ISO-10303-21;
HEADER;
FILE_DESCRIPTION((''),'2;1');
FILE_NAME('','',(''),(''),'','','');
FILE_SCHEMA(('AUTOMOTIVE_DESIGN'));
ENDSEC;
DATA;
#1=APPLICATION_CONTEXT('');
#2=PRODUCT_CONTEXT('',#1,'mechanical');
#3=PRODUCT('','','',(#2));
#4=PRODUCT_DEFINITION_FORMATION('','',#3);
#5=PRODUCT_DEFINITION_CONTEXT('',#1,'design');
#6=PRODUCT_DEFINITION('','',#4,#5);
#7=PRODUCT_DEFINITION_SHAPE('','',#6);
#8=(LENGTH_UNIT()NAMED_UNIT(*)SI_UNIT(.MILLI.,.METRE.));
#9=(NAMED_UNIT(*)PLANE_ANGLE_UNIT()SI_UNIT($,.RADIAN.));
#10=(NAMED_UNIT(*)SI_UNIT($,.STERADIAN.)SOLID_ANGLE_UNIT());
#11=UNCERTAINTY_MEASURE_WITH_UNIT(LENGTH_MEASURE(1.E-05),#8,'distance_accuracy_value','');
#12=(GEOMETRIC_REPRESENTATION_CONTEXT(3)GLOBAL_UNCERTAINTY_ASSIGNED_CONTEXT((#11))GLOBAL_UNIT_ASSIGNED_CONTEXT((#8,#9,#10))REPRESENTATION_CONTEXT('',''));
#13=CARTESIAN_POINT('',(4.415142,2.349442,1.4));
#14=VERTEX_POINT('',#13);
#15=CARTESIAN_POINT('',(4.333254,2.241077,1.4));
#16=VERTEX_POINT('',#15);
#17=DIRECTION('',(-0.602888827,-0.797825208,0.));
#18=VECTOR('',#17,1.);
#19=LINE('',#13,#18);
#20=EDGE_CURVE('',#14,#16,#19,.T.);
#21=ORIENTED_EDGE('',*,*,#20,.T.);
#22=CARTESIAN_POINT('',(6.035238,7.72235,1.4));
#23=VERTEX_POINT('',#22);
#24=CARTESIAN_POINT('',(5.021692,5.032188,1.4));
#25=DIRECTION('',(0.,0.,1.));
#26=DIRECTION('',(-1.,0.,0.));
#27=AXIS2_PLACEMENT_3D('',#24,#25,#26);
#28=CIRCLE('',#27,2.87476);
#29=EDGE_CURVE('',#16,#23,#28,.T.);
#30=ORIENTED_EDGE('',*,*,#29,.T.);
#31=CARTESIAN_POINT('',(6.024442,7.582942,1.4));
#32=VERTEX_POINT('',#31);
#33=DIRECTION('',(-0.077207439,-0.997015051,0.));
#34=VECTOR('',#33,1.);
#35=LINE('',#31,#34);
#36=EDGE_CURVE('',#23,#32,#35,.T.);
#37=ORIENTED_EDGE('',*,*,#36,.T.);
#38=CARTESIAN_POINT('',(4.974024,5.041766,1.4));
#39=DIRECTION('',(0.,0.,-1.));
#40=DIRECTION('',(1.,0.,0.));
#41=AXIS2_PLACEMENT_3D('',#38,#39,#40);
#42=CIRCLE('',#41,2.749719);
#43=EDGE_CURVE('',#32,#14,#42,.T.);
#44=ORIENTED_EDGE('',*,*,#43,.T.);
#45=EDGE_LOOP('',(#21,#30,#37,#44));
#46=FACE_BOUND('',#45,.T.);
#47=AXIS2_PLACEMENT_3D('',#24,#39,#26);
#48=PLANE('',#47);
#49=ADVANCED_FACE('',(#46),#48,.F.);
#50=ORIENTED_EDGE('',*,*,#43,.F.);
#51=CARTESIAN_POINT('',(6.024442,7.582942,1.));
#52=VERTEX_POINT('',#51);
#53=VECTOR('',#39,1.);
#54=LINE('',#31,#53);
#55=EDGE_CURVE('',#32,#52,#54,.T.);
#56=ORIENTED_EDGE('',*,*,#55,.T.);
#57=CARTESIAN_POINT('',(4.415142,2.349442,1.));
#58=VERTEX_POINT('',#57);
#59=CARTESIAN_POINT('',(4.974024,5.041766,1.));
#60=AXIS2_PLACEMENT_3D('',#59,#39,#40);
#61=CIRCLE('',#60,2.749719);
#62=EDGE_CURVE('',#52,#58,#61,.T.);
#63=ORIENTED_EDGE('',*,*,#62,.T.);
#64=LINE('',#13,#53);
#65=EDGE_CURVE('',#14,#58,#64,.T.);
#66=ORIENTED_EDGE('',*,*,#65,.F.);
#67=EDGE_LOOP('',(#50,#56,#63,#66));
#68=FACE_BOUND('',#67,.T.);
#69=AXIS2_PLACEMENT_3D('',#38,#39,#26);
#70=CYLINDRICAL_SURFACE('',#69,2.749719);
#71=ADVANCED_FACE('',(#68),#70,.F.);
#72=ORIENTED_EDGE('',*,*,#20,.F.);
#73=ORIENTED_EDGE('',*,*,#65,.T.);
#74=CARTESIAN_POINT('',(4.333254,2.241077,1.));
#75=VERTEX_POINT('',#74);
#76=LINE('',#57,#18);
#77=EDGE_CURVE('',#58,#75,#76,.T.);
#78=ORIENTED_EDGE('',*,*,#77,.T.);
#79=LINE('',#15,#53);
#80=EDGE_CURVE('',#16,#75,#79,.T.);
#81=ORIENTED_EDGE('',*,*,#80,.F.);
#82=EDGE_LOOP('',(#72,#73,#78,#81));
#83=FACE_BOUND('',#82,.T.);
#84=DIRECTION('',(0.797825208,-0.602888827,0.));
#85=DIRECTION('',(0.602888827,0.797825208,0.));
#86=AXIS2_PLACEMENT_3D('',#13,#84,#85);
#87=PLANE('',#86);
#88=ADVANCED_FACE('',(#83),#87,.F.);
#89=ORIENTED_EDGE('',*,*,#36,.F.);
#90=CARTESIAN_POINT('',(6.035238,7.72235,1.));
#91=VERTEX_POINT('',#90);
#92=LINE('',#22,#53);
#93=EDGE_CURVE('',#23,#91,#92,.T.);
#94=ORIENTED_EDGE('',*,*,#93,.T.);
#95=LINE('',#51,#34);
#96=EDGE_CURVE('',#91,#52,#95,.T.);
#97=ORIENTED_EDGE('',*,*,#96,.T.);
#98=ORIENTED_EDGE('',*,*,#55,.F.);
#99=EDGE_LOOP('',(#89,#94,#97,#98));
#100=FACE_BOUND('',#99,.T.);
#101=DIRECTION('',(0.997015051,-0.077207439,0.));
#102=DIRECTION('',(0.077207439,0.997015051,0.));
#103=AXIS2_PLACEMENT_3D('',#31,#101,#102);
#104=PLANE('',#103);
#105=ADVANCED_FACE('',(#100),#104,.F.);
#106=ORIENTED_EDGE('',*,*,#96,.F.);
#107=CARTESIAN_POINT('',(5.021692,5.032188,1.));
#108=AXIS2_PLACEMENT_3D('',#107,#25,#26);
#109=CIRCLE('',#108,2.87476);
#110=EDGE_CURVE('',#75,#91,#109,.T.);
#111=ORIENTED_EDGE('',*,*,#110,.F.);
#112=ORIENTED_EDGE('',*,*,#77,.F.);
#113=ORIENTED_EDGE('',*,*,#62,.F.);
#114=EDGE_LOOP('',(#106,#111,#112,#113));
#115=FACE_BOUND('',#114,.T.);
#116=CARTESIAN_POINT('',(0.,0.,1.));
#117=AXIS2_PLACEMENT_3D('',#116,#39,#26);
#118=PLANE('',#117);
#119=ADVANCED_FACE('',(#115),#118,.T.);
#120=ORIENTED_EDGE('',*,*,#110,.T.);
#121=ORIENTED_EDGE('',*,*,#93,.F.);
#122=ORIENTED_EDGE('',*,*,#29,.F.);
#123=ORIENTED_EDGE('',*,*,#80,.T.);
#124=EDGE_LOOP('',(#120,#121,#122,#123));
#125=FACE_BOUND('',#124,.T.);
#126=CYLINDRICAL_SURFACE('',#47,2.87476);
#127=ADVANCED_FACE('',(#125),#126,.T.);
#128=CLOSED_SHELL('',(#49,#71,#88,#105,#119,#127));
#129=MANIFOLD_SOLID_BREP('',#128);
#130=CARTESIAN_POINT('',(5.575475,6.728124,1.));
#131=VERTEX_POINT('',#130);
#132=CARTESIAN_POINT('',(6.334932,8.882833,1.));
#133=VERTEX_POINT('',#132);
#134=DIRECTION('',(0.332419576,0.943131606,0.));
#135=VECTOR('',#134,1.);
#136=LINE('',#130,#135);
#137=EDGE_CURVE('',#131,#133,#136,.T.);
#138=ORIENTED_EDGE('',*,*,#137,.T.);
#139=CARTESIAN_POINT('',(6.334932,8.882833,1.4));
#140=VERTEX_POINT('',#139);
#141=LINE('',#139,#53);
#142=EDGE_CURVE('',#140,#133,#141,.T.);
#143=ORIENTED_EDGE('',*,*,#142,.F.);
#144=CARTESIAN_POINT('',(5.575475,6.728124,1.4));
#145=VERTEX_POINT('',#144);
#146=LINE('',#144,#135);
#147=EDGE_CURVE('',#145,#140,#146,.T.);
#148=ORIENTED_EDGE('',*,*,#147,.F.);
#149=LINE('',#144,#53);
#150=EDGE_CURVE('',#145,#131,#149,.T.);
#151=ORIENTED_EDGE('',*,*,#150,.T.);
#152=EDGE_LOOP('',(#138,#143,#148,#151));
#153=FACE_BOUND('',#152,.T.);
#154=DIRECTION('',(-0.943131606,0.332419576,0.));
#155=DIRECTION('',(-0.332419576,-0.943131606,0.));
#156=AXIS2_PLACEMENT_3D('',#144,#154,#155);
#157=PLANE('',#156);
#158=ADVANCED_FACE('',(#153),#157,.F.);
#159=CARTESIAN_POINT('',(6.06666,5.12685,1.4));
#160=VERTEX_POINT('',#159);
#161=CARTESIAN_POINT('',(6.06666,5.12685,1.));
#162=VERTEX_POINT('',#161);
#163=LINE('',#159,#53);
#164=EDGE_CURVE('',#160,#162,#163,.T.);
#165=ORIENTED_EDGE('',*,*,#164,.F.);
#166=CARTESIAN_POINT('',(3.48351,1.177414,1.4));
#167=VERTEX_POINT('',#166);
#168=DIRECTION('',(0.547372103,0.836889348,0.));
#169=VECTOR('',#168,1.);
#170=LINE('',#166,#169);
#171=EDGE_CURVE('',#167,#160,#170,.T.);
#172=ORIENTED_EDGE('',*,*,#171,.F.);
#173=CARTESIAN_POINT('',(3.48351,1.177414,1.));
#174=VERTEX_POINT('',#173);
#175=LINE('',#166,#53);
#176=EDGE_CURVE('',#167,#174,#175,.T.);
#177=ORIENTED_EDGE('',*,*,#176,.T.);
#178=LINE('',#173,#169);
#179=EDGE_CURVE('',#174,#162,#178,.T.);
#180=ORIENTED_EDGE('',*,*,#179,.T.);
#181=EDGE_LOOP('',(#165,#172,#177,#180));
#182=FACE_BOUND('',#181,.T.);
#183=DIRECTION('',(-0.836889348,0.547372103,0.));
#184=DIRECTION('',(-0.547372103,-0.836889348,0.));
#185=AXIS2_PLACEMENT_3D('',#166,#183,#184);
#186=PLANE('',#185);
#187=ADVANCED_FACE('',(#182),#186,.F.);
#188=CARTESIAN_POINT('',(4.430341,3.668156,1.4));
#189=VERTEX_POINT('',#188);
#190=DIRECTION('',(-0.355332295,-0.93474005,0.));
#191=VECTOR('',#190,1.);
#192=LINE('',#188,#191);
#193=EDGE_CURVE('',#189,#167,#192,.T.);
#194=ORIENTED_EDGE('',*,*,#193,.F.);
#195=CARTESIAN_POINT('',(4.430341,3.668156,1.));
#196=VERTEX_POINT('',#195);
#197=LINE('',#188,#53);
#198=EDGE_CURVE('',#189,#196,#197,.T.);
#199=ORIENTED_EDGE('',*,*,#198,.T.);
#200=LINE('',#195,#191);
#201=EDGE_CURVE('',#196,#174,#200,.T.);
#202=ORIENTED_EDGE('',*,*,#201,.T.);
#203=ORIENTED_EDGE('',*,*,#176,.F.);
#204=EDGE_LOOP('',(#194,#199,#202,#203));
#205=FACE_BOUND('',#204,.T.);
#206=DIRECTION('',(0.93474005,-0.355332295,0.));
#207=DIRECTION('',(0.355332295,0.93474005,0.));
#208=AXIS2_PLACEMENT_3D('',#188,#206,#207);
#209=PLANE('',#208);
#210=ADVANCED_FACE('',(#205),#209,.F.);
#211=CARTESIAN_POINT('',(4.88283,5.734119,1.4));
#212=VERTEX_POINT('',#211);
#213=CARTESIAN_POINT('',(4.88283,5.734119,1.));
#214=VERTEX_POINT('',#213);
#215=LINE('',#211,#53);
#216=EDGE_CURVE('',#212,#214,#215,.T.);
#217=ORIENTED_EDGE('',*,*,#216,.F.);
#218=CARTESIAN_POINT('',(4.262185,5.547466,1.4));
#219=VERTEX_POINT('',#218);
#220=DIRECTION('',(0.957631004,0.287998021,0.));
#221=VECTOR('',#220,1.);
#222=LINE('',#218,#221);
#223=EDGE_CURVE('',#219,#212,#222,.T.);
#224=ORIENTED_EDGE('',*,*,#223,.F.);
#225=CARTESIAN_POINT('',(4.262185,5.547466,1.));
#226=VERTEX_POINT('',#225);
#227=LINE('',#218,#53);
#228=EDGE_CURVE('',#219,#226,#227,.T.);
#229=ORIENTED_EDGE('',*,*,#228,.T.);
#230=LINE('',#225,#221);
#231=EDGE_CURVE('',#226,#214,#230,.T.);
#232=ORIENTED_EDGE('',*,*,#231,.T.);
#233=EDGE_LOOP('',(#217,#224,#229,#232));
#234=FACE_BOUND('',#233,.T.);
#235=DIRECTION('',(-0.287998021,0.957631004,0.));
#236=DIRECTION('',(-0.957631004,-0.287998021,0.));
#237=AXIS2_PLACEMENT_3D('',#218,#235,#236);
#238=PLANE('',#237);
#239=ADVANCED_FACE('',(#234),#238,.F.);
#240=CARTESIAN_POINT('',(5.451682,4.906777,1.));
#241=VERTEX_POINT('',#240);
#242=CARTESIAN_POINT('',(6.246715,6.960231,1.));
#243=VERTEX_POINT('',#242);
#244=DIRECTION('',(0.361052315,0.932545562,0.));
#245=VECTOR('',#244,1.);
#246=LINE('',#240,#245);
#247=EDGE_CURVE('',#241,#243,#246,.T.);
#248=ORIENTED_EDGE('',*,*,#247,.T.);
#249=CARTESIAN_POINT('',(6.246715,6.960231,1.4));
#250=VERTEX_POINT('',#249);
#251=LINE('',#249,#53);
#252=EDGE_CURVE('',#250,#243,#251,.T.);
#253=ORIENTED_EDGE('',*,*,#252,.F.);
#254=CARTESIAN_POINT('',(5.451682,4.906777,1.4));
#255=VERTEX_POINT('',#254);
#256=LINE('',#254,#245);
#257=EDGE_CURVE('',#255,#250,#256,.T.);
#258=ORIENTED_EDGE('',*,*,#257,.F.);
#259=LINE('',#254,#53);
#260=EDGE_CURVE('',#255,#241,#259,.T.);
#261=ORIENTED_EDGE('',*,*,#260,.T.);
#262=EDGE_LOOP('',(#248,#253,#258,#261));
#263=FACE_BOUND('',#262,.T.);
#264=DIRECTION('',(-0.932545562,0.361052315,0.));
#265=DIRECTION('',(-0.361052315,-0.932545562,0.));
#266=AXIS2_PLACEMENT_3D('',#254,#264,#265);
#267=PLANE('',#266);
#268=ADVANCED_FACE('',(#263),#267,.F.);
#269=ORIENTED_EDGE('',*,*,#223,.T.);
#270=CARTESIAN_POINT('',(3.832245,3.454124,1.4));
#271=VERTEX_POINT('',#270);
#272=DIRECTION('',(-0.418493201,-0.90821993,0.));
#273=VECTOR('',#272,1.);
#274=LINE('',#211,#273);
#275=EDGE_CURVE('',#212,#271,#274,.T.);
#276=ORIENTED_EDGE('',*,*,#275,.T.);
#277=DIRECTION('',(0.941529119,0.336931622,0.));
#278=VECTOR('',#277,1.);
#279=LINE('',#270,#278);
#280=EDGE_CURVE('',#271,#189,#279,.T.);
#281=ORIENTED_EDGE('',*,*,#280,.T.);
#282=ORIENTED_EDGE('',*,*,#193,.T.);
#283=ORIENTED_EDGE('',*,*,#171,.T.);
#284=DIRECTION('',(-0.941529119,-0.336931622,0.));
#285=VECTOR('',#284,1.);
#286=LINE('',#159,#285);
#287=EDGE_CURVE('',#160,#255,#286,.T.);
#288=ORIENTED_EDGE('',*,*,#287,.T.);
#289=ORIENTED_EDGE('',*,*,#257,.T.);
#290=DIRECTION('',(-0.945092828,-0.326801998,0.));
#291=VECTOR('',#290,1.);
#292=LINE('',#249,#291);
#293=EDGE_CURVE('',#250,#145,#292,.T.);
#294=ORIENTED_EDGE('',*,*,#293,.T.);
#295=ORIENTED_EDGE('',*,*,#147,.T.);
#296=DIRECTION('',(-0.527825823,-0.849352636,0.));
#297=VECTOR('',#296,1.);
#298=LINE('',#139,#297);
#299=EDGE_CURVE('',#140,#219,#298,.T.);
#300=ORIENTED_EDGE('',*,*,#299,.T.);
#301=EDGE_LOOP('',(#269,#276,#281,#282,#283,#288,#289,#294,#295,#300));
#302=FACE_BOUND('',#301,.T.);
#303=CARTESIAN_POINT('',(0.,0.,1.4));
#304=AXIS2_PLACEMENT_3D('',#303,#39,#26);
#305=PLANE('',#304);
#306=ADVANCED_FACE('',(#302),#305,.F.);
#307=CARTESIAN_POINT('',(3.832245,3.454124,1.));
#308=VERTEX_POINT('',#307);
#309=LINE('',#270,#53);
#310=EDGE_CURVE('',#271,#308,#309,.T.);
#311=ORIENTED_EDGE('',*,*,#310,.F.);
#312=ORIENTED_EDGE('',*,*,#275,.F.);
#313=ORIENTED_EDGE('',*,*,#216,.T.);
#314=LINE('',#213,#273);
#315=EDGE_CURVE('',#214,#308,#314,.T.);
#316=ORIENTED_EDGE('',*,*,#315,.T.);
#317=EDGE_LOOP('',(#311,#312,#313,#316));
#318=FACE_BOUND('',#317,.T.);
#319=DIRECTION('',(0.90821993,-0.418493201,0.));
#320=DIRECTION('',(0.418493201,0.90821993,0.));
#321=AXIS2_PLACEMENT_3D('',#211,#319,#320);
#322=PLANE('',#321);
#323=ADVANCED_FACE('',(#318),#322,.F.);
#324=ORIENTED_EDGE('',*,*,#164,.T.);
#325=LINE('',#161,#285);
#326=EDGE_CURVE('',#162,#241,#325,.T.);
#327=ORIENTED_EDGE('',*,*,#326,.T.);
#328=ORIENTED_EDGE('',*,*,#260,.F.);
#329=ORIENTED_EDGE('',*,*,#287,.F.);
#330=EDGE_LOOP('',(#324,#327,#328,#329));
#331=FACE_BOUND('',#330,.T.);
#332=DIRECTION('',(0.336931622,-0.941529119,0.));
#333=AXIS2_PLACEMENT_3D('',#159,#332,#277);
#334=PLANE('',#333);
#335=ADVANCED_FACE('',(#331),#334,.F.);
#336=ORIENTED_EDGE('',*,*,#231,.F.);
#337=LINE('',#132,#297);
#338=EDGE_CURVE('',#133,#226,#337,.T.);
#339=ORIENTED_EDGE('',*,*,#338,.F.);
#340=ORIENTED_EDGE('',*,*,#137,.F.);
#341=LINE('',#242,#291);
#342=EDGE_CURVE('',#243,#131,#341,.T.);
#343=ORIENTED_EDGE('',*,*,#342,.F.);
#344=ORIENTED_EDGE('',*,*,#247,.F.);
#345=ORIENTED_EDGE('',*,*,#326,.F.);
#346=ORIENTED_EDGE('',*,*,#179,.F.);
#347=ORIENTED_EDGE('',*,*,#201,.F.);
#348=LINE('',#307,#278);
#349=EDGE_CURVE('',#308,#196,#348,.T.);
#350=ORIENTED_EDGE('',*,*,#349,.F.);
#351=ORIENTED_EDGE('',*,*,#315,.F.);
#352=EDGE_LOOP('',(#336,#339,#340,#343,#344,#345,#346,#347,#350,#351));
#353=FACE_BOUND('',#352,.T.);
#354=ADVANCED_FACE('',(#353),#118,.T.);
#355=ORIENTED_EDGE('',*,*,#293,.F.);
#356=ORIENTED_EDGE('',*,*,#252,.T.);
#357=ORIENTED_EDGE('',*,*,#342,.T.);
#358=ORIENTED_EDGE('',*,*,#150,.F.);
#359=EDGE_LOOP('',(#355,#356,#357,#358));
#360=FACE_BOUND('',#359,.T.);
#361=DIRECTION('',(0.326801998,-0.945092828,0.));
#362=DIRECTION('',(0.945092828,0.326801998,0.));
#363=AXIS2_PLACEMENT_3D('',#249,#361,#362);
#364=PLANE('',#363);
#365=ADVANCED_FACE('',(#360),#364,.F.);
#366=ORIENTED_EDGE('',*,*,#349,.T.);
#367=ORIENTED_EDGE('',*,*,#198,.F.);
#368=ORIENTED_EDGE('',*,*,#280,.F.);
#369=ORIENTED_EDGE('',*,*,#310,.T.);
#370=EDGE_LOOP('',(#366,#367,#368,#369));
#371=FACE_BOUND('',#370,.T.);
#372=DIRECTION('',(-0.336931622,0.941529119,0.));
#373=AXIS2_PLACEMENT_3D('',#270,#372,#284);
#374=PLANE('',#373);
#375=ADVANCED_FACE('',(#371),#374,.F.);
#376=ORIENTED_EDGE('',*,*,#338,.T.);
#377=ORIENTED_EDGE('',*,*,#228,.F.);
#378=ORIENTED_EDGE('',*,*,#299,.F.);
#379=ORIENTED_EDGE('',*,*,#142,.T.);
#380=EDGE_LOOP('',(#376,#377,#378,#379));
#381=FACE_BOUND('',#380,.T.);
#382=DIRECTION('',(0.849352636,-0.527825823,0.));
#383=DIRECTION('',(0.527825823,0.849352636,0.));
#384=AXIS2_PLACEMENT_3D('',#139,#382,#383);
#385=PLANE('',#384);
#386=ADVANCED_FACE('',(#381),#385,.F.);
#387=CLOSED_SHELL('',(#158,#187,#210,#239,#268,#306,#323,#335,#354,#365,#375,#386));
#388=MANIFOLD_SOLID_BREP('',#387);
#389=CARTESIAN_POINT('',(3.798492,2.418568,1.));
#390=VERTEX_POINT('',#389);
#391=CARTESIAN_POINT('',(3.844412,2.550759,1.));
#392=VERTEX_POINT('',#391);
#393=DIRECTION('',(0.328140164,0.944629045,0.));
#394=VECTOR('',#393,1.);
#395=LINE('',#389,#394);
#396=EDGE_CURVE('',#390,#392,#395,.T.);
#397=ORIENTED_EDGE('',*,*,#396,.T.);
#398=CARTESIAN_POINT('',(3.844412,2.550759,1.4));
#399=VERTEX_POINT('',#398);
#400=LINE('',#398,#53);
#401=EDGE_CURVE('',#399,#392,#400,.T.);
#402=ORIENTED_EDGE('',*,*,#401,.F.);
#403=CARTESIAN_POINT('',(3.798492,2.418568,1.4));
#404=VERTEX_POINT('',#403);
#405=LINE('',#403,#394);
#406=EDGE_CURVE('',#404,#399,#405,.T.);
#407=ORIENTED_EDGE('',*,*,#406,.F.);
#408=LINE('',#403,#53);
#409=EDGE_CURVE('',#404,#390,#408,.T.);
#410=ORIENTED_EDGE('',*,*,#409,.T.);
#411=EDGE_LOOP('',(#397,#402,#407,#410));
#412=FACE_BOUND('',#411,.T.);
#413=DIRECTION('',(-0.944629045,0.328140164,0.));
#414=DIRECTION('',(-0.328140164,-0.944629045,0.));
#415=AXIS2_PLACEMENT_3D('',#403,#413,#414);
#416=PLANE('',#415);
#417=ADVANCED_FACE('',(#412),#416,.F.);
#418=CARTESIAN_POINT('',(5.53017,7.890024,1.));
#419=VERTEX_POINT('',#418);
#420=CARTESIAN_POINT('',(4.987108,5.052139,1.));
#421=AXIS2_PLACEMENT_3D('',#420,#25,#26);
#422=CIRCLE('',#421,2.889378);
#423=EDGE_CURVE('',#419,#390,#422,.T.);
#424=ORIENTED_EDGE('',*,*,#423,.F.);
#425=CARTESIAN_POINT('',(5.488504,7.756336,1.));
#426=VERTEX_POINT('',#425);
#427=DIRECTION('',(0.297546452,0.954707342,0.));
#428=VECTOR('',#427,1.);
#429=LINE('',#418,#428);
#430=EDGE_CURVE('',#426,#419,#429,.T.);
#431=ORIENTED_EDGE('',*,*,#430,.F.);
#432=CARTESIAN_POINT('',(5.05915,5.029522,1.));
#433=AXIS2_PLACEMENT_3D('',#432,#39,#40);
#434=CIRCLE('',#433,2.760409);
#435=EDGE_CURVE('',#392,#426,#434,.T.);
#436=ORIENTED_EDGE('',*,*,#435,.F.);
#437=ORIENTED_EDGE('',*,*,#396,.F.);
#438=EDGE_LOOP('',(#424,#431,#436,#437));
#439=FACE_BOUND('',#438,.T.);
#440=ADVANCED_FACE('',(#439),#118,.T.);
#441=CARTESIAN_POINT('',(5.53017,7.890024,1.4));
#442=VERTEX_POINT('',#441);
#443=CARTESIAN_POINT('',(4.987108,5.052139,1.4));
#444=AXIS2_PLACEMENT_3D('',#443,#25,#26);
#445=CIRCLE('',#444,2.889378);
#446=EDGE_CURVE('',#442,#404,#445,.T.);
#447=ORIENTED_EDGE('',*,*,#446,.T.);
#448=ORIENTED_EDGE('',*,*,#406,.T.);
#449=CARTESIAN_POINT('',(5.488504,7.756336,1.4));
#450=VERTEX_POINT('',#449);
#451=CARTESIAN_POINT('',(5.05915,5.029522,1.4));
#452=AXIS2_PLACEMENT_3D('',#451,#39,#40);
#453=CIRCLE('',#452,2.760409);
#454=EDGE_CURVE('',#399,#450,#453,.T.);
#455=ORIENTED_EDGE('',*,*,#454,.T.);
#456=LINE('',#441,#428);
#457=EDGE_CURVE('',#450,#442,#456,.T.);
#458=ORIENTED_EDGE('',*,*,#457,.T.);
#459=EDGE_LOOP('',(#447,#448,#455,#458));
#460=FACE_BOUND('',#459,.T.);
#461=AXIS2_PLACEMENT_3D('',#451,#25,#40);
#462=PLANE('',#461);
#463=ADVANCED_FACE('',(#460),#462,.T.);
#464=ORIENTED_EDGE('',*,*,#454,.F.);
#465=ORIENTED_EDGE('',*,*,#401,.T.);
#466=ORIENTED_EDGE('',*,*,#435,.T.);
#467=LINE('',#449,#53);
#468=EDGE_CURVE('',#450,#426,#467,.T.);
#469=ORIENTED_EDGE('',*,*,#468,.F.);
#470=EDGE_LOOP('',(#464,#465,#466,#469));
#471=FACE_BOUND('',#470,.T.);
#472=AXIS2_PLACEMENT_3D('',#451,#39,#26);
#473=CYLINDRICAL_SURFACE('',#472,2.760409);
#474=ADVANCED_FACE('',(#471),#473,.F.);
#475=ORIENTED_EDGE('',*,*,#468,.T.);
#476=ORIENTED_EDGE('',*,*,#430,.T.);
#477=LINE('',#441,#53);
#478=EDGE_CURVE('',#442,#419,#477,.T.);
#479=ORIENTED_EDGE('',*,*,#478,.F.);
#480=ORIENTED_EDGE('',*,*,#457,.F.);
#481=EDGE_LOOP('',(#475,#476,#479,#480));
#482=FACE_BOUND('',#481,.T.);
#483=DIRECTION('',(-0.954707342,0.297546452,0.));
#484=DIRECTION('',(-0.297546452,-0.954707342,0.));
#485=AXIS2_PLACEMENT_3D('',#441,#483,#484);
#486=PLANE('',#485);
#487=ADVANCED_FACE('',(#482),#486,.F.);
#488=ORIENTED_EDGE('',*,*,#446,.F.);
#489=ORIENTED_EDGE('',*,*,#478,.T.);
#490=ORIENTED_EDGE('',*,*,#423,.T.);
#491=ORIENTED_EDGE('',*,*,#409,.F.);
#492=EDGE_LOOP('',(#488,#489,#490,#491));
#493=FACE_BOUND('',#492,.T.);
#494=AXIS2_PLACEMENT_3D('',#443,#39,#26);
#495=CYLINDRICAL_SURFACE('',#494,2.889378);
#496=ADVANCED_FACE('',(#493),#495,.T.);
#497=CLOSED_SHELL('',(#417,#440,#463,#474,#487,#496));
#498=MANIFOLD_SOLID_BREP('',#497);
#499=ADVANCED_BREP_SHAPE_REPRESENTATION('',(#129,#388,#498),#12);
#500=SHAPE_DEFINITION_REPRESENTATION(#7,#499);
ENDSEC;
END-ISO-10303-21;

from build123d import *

# Parameters (mm, degrees)
ESQUISSE1_W             = 10
ESQUISSE1_H             = 10
BOSS_EXTRU_1_DEPTH      = 1
BOSS_EXTRU_2_DEPTH      = 0.4
ESQUISSE3_W             = 12.280375392
ESQUISSE3_H             = 11.683913343
ENL_V_MAT_EXTRU_1_DEPTH = 1


with BuildPart() as part:
    # Esquisse1 → Boss.-Extru.1 (new body)
    with BuildSketch(Plane.XY):
        with Locations((5, 5)):
            Rectangle(ESQUISSE1_W, ESQUISSE1_H)
    extrude(amount=BOSS_EXTRU_1_DEPTH)

    # Esquisse2 → Boss.-Extru.2 (add)
    with BuildSketch(Plane.XY.offset(1)):
        Polygon((6.334931749, 8.882833414), (4.262184586, 5.547465589), (4.882830202, 5.734118598), (3.832245005, 3.454123577), (4.430340597, 3.668155532), (3.483509575, 1.17741408), (6.066659864, 5.126849848), (5.451682271, 4.906776572), (6.246715415, 6.960231429), (5.57547524, 6.728124462), align=None)
        with BuildLine():
            Line((5.530169771, 7.890023865), (5.488504184, 7.756335693))
            ThreePointArc((5.488504184, 7.756335693), (2.426904745, 5.860871802), (3.844411762, 2.55075876))
            Line((3.844411762, 2.55075876), (3.798492134, 2.418568254))
            ThreePointArc((3.798492134, 2.418568254), (2.232404609, 5.923983829), (5.530169771, 7.890023865))
        make_face()
        with BuildLine():
            Line((6.024442183, 7.582942033), (6.035237751, 7.722350143))
            ThreePointArc((6.035237751, 7.722350143), (7.767144688, 4.179700726), (4.333254025, 2.241077131))
            Line((4.333254025, 2.241077131), (4.415141932, 2.349442444))
            ThreePointArc((4.415141932, 2.349442444), (7.602289895, 4.23357455), (6.024442183, 7.582942033))
        make_face()
    extrude(amount=BOSS_EXTRU_2_DEPTH)

    # Esquisse3 → Enlèv. mat.-Extru.1 (cut)
    with BuildSketch(Plane(origin=(0, 0, 0), x_dir=(-1, 0, 0), z_dir=(0, 0, -1))):
        with Locations((-4.624490523, 5.133758282)):
            Rectangle(ESQUISSE3_W, ESQUISSE3_H)
    extrude(amount=-ENL_V_MAT_EXTRU_1_DEPTH, mode=Mode.SUBTRACT)


with BuildPart() as enl_v_mat_extru_1_piece_1:
    # of the separate pieces the step leaves, piece 1, a body of its own (enl_v_mat_extru_1_pieces)
    add(part.part.solids().sort_by_distance((6.334931749, 8.882833414, 1))[0])


with BuildPart() as enl_v_mat_extru_1_piece_2:
    # of the separate pieces the step leaves, piece 2, a body of its own (enl_v_mat_extru_1_pieces)
    add(part.part.solids().sort_by_distance((3.798492134, 2.418568254, 1))[0])


with BuildPart() as enl_v_mat_extru_1_piece_3:
    # of the separate pieces the step leaves, piece 3, a body of its own (enl_v_mat_extru_1_pieces)
    add(part.part.solids().sort_by_distance((6.035237751, 7.722350143, 1))[0])


solid = Compound([enl_v_mat_extru_1_piece_1.part, enl_v_mat_extru_1_piece_2.part, enl_v_mat_extru_1_piece_3.part])
